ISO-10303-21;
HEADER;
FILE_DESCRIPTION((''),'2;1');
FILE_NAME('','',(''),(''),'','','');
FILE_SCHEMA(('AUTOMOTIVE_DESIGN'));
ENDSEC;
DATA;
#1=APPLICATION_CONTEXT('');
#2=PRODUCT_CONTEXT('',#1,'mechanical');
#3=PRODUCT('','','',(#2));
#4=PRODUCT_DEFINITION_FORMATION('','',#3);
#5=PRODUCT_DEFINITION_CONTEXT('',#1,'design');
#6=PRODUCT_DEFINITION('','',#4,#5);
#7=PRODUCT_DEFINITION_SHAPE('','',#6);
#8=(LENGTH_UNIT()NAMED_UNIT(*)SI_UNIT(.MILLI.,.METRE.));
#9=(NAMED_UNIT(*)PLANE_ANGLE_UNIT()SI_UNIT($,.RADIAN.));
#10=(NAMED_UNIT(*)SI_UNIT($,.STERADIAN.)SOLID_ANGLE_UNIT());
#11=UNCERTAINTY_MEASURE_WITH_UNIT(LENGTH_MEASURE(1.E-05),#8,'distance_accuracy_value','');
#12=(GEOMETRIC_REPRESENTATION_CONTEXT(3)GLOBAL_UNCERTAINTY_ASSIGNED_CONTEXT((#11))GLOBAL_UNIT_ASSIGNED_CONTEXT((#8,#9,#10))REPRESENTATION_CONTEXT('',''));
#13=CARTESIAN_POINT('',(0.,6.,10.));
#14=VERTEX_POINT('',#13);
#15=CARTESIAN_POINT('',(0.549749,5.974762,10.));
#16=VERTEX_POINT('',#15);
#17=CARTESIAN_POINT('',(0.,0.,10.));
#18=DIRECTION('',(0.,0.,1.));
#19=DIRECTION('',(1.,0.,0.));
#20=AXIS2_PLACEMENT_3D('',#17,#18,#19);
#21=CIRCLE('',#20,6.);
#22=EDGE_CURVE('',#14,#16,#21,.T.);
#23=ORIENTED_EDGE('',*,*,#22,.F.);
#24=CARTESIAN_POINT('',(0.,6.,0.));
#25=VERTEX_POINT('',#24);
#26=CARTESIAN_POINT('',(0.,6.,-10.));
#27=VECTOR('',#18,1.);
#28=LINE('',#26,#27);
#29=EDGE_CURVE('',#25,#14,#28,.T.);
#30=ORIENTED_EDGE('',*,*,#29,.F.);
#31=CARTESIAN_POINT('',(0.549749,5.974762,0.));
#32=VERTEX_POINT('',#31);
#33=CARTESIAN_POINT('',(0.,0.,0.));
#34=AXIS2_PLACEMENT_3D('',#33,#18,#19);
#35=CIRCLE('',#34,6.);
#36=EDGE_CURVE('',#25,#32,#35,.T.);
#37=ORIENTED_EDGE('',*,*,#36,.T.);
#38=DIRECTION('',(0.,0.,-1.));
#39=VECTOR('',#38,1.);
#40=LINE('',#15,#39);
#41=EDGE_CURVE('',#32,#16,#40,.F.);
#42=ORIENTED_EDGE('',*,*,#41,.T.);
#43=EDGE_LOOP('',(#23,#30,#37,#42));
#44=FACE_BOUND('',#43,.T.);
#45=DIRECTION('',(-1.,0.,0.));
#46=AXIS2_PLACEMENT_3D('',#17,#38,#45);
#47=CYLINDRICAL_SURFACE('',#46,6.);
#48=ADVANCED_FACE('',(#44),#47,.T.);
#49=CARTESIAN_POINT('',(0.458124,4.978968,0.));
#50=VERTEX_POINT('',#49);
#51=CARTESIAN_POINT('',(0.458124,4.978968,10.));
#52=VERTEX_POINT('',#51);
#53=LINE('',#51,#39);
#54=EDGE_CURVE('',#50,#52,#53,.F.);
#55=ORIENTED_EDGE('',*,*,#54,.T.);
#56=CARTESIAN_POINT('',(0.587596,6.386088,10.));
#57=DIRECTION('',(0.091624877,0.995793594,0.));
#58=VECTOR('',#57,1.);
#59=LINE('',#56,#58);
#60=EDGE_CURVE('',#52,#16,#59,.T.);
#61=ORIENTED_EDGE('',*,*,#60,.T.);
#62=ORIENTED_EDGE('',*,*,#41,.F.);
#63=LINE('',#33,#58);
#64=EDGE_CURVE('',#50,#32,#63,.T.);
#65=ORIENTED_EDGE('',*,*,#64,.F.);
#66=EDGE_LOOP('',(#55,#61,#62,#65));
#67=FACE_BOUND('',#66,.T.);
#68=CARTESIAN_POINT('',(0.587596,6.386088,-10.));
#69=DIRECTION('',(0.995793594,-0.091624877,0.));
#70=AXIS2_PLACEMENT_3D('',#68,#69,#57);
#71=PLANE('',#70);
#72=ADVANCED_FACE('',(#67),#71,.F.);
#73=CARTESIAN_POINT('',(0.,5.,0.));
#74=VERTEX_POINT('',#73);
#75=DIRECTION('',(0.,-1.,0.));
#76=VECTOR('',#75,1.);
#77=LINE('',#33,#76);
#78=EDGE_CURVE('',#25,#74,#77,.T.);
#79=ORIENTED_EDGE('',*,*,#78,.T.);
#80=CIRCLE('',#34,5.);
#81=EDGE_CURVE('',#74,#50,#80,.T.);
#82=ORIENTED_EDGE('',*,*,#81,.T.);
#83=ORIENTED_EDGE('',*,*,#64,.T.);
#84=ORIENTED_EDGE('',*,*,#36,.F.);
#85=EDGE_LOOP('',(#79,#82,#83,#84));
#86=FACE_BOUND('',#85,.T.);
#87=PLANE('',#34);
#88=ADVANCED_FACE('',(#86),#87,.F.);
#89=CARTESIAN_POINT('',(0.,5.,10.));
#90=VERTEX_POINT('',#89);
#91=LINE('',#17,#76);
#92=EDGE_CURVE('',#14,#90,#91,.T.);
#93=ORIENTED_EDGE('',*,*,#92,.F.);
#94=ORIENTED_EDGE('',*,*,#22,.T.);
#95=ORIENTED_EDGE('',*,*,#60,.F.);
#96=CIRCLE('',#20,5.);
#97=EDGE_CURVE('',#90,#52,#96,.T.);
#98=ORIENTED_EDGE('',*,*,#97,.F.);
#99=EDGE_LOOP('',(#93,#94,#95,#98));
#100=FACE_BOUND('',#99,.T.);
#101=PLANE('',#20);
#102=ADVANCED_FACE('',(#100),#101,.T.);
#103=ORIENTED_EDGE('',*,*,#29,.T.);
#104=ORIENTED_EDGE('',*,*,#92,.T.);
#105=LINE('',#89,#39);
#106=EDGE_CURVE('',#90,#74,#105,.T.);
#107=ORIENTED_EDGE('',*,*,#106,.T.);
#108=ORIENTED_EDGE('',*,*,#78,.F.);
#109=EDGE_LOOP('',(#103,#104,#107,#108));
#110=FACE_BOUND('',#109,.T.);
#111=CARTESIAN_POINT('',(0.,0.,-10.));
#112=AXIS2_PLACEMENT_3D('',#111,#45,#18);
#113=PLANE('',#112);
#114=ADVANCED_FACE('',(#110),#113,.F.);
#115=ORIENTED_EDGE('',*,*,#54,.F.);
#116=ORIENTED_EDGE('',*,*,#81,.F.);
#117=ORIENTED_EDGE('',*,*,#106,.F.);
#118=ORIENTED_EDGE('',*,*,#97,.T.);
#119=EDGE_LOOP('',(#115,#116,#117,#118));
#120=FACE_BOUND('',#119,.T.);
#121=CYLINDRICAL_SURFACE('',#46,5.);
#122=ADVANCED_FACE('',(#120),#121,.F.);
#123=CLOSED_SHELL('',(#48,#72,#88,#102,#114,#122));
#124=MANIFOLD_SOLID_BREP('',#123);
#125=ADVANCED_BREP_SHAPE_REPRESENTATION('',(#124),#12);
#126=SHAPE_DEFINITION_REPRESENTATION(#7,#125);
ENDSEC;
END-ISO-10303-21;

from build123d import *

# Parameters (mm, degrees)
SKETCH_1_R          = 6
SKETCH_1_R_2        = 5
EXTRUDE_1_DEPTH     = 10
CUT_EXTRUDE_1_DEPTH = 20


with BuildPart() as part:
    # 草图1 → 凸台-拉伸1 (new body)
    with BuildSketch(Plane.XY):
        Circle(SKETCH_1_R)
        Circle(SKETCH_1_R_2, mode=Mode.SUBTRACT)
    extrude(amount=EXTRUDE_1_DEPTH)

    # 草图2 → 切除-拉伸1 (cut)
    with BuildSketch(Plane.XY.offset(10)):
        Polygon((0, 0), (0, 6), (0.587596227, 6.386088304), align=None)
    extrude(amount=-CUT_EXTRUDE_1_DEPTH, mode=Mode.SUBTRACT)


solid = part.part
